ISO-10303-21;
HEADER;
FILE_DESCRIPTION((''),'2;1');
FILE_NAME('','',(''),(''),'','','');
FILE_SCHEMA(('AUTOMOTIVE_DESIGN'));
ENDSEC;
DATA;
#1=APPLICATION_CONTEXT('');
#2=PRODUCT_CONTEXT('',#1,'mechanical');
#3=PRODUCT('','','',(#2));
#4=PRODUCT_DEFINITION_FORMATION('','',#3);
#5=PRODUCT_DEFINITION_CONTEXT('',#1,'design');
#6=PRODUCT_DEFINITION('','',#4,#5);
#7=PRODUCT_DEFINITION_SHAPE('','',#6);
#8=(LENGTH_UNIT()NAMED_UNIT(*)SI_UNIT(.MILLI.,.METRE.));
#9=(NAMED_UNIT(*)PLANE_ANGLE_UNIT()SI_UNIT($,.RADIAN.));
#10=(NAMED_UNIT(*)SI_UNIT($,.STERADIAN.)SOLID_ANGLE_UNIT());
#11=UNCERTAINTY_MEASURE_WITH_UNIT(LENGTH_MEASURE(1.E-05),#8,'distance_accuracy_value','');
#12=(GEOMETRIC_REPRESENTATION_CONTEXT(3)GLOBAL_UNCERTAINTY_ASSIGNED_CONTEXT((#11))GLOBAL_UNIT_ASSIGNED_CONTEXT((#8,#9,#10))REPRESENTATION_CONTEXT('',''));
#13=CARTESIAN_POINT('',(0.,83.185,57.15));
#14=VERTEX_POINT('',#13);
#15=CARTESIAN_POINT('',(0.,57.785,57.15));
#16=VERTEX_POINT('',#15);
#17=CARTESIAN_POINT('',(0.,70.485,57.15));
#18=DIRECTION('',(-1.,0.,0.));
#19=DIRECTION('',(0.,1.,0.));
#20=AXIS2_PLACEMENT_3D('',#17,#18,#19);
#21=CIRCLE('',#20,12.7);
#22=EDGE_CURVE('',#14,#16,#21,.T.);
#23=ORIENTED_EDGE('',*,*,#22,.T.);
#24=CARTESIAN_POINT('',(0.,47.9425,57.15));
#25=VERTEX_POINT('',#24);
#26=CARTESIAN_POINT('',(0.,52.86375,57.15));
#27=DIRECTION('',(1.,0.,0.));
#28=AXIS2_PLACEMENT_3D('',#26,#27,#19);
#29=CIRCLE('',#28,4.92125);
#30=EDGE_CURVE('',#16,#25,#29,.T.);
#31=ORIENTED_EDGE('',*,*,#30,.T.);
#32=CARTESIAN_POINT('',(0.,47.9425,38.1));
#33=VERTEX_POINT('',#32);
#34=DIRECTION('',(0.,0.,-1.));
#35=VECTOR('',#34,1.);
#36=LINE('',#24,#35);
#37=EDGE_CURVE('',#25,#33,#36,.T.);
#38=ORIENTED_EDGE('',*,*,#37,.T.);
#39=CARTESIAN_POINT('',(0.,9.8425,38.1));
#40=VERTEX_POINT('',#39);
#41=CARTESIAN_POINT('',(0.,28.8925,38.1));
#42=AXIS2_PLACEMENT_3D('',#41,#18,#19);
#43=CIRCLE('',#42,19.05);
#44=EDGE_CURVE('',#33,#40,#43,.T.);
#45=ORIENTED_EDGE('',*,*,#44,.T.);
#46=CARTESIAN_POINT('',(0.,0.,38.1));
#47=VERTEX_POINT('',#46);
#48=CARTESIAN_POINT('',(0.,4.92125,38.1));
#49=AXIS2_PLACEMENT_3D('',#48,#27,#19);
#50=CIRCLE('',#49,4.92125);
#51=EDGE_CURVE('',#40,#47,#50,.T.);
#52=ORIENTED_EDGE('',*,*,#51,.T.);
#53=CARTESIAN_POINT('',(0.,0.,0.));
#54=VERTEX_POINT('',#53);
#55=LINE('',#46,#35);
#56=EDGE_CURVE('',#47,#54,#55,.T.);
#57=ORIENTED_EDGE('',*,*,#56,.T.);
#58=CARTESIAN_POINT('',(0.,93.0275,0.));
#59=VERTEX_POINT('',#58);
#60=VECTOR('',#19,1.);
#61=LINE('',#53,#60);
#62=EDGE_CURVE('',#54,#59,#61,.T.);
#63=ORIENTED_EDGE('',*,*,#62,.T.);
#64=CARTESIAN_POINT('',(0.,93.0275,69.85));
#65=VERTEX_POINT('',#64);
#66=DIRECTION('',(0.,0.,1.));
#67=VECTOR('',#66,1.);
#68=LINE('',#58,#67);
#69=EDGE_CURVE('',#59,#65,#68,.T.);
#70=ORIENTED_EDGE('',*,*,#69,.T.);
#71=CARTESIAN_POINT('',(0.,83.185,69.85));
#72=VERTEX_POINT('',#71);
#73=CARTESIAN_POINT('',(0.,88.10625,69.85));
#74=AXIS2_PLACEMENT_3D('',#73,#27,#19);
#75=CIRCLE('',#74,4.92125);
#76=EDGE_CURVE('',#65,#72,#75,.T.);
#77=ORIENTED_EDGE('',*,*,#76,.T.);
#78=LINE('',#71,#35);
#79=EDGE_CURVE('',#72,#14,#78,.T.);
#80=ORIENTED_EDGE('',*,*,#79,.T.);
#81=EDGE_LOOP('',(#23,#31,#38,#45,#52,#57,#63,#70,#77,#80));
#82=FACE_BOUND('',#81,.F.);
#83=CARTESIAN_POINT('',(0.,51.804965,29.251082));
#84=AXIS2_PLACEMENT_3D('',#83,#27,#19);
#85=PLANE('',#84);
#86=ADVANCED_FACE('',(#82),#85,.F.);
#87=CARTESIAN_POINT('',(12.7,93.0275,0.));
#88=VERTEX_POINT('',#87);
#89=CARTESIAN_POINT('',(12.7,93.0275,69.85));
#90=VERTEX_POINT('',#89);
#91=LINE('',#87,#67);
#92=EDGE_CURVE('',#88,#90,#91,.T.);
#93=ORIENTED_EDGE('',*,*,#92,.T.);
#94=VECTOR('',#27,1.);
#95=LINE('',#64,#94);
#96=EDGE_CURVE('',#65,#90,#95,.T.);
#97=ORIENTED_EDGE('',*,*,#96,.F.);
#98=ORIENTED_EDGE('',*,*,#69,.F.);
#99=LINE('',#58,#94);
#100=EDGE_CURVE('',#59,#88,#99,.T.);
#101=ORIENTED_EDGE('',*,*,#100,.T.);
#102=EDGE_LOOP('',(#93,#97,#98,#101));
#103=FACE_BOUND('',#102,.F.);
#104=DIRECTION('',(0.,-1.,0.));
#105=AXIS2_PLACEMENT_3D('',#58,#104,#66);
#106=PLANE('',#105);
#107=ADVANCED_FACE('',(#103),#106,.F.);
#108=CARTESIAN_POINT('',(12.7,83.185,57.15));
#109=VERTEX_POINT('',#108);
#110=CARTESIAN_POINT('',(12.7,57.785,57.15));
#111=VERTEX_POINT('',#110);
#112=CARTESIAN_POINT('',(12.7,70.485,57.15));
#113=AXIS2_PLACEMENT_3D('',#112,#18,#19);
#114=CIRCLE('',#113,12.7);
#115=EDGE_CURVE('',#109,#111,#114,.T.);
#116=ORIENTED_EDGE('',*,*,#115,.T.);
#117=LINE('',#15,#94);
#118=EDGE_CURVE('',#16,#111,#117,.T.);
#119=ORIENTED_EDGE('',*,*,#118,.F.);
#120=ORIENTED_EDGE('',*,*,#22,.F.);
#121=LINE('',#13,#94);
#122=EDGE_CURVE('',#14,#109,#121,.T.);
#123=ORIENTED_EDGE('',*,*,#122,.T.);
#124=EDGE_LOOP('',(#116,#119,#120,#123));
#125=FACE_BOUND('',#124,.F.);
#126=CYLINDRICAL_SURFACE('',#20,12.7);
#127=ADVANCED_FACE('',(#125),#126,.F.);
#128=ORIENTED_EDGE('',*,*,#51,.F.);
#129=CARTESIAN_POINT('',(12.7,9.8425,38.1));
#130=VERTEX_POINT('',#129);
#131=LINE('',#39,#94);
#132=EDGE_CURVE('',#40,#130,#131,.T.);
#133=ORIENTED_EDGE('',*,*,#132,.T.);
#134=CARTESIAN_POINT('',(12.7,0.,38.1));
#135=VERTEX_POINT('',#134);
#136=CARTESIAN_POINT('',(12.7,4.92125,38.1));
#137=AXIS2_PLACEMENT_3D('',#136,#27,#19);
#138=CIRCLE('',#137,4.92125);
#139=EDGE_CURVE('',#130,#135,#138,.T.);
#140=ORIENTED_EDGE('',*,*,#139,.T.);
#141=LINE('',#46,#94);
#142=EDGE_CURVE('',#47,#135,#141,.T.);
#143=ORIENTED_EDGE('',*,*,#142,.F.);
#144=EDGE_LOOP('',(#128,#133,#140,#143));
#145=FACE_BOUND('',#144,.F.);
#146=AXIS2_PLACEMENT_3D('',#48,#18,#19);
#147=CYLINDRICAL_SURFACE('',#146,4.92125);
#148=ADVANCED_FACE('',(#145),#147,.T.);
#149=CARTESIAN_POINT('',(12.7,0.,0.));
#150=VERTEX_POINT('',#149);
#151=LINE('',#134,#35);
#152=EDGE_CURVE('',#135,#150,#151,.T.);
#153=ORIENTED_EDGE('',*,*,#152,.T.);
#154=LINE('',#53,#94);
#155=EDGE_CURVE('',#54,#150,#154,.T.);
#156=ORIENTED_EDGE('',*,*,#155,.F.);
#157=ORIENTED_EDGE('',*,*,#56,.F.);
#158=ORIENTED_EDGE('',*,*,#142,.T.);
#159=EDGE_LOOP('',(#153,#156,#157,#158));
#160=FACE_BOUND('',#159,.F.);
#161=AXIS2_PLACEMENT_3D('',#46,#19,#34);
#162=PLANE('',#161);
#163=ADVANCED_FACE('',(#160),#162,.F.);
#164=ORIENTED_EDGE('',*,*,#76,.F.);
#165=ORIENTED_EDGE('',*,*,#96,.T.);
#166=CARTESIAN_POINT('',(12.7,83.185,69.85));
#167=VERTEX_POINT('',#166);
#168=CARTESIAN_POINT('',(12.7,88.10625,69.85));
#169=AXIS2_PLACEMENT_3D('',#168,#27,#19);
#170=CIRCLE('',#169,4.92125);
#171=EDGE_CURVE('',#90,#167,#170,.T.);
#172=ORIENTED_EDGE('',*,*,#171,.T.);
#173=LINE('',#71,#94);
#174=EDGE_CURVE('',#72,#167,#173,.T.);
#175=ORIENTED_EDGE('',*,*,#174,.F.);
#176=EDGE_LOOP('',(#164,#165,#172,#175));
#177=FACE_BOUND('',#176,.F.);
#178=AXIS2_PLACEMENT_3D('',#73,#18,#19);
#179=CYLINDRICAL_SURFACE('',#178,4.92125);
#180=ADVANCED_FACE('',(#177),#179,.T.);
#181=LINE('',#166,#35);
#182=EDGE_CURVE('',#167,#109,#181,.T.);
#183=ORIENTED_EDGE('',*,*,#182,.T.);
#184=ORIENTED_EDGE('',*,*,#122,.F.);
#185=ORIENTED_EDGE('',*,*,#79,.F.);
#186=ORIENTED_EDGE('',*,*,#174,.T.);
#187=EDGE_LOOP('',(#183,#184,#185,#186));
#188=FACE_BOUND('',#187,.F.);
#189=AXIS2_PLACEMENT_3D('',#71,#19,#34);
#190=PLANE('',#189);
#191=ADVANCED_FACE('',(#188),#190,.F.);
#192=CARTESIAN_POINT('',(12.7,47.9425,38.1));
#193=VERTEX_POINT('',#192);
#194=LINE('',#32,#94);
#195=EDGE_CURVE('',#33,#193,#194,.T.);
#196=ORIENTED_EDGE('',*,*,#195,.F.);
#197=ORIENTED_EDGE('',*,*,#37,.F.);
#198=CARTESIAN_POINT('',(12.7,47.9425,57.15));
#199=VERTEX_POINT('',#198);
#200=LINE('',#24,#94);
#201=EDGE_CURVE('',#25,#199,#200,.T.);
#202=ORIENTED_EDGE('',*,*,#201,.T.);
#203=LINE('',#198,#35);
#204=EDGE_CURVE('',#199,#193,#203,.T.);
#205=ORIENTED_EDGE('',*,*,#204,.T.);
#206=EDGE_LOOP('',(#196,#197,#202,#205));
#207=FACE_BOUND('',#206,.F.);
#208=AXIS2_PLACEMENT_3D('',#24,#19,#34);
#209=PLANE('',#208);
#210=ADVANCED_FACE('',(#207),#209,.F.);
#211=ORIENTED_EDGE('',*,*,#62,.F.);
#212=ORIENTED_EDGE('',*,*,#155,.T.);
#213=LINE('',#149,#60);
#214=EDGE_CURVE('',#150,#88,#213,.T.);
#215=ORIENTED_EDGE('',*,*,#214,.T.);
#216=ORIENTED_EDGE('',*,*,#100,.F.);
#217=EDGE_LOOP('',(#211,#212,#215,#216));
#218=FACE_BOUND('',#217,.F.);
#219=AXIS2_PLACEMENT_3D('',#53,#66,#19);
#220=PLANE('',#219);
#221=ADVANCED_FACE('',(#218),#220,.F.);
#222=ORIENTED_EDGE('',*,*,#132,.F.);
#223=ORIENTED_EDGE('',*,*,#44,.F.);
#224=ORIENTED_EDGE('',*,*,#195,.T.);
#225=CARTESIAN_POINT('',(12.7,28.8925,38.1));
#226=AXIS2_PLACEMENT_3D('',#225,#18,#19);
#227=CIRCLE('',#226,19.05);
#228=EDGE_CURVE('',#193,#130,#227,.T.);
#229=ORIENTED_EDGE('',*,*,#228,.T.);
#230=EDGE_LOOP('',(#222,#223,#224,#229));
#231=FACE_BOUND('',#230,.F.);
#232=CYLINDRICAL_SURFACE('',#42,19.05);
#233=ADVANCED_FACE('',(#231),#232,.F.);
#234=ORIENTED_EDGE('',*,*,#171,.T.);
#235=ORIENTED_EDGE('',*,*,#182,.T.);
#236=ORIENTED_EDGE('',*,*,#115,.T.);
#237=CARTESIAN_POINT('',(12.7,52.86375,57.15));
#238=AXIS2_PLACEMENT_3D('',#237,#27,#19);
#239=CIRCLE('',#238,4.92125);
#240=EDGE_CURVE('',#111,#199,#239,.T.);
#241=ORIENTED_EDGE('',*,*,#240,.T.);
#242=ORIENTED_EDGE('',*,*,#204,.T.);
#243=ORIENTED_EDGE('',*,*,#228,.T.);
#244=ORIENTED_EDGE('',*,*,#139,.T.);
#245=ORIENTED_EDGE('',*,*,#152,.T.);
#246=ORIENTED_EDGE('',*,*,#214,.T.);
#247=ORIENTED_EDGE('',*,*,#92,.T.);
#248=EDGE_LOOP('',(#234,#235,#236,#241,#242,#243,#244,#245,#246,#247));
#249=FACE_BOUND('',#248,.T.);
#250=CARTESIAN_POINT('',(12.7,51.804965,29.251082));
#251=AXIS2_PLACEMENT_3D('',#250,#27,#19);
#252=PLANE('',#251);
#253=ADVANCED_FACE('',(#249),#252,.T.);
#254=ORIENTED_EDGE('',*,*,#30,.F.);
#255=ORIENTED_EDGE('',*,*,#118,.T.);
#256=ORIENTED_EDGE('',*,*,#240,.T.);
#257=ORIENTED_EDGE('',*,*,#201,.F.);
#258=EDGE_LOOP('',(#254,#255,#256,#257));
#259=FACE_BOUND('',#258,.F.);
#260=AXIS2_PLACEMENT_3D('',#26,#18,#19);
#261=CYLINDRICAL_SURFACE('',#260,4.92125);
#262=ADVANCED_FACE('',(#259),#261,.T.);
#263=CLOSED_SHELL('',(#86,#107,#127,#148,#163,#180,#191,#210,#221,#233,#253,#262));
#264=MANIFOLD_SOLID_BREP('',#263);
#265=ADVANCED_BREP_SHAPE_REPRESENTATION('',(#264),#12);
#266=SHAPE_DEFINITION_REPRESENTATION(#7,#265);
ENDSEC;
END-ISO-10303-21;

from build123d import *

# Parameters (mm, degrees)
F1_DEPTH = 12.7


with BuildPart() as f1:
    # F0 (on Right) → F1 (new body)
    with BuildSketch(Plane.YZ):
        with BuildLine():
            Line((0, 38.1), (0, 0))
            Line((0, 0), (93.0275, 0))
            Line((93.0275, 0), (93.0275, 69.85))
            ThreePointArc((93.0275, 69.85), (88.10625, 74.77125), (83.185, 69.85))
            Line((83.185, 69.85), (83.185, 57.15))
            ThreePointArc((83.185, 57.15), (70.485, 44.45), (57.785, 57.15))
            ThreePointArc((57.785, 57.15), (52.86375, 62.07125), (47.9425, 57.15))
            Line((47.9425, 57.15), (47.9425, 38.1))
            ThreePointArc((47.9425, 38.1), (28.8925, 19.05), (9.8425, 38.1))
            ThreePointArc((9.8425, 38.1), (4.92125, 43.02125), (0, 38.1))
        make_face()
    extrude(amount=F1_DEPTH)


solid = f1.part
